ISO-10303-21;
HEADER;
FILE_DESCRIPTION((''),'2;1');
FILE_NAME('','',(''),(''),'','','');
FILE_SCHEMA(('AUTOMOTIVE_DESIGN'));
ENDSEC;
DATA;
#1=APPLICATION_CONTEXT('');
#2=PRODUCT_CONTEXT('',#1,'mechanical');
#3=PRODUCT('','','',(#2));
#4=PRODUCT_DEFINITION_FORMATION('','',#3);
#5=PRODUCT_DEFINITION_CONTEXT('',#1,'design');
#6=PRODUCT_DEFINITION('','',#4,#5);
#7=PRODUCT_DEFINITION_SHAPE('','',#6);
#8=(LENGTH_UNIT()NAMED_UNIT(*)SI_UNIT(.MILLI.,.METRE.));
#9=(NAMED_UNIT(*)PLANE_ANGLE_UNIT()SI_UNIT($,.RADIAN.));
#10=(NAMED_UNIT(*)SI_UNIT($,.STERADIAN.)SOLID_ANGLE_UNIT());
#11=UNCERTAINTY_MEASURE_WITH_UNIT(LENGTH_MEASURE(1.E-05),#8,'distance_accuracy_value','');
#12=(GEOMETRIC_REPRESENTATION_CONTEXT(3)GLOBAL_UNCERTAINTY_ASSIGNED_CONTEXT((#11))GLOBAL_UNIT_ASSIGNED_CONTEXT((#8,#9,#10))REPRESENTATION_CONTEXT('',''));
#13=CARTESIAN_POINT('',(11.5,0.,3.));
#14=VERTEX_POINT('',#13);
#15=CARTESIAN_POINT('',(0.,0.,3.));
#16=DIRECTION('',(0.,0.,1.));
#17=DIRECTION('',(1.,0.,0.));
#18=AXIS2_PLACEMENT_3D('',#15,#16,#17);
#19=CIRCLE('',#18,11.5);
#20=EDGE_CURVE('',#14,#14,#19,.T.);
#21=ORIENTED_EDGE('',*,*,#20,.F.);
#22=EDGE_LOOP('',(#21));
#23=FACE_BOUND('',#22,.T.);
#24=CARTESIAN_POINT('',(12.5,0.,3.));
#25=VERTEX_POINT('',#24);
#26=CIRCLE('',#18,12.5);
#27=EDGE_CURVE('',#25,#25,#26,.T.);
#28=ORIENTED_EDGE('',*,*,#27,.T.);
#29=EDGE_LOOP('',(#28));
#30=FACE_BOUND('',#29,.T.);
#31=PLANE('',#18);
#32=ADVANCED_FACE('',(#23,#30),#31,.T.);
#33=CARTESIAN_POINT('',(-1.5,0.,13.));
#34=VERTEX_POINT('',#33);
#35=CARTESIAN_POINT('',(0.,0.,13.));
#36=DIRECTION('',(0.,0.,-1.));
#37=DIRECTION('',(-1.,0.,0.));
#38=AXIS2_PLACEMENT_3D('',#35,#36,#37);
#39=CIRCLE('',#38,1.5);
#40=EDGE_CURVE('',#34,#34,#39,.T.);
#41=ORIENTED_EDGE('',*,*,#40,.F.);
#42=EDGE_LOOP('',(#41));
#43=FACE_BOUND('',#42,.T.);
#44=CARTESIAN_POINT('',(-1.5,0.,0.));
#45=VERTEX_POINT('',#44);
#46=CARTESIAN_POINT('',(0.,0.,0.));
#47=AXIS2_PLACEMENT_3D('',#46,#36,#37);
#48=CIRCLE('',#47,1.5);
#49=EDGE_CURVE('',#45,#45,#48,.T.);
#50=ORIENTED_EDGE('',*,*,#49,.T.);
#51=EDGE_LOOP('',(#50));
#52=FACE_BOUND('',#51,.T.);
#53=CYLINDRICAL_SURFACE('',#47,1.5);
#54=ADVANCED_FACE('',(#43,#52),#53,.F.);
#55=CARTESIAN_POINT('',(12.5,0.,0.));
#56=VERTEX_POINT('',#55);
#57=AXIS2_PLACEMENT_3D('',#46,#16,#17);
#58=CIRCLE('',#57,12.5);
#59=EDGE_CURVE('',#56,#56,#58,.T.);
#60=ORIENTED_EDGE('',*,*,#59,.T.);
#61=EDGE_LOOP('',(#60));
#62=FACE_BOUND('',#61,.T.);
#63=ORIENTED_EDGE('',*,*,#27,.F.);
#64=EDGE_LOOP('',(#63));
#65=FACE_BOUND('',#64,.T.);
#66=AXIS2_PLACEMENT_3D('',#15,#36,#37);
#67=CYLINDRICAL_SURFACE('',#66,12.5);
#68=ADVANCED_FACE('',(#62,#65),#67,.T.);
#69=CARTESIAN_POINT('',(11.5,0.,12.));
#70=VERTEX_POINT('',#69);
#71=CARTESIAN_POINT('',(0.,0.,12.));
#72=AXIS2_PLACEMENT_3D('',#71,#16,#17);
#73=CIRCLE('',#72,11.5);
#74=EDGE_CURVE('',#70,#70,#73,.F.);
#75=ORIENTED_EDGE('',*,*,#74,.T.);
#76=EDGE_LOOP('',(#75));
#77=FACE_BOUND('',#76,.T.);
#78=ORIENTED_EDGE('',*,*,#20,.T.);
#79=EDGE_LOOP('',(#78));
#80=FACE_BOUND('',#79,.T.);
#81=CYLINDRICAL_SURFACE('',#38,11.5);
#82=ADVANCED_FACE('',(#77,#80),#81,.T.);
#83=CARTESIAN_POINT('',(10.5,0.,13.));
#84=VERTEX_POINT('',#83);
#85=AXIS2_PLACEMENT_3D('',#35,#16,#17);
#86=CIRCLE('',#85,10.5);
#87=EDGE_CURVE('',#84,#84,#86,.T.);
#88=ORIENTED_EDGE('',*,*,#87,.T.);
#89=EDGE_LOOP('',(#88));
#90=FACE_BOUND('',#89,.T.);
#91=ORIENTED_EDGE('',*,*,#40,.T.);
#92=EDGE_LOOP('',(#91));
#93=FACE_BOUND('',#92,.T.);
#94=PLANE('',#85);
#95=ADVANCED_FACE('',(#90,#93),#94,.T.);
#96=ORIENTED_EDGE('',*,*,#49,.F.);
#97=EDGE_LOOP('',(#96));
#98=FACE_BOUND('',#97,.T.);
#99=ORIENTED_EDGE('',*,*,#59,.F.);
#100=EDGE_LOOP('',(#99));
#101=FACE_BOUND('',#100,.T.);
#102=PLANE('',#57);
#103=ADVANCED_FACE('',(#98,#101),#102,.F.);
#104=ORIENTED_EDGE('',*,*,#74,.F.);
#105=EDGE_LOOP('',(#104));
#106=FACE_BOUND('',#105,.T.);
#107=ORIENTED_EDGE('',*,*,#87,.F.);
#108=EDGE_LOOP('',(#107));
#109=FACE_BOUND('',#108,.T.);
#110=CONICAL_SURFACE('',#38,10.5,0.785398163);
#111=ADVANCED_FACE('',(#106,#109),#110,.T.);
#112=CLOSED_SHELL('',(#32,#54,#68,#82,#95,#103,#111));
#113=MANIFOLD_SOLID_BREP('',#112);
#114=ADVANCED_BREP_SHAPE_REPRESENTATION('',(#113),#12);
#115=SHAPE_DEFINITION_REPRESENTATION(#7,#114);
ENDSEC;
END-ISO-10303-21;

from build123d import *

# Parameters (mm, degrees)
ESQUISSE1_R       = 12.5
EXTRUSION1_DEPTH  = 3
ESQUISSE2_R       = 11.5
EXTRUSION2_DEPTH  = 10
CHANFREIN1_SIZE   = 1
TROU_TARAUD_M41_D = 3


with BuildPart() as part:
    # Esquisse1 → Extrusion1 (new body)
    with BuildSketch(Plane.XY):
        Circle(ESQUISSE1_R)
    extrude(amount=EXTRUSION1_DEPTH)

    # Esquisse2 → Extrusion2 (add)
    with BuildSketch(Plane.XY.offset(3)):
        Circle(ESQUISSE2_R)
    extrude(amount=EXTRUSION2_DEPTH)

    # Chanfrein1
    chanfrein1_edges = [part.edges().sort_by_distance(p)[0] for p in [
        (-11.5, 0, 13),
    ]]
    chamfer(chanfrein1_edges, length=CHANFREIN1_SIZE)

    # Trou taraudé M41 (through all)
    with Locations(Plane(origin=(0, 0, 0), x_dir=(-1, 0, 0), z_dir=(0, 0, -1))):
        with Locations((0, 0)):
            Hole(TROU_TARAUD_M41_D / 2)


solid = part.part
